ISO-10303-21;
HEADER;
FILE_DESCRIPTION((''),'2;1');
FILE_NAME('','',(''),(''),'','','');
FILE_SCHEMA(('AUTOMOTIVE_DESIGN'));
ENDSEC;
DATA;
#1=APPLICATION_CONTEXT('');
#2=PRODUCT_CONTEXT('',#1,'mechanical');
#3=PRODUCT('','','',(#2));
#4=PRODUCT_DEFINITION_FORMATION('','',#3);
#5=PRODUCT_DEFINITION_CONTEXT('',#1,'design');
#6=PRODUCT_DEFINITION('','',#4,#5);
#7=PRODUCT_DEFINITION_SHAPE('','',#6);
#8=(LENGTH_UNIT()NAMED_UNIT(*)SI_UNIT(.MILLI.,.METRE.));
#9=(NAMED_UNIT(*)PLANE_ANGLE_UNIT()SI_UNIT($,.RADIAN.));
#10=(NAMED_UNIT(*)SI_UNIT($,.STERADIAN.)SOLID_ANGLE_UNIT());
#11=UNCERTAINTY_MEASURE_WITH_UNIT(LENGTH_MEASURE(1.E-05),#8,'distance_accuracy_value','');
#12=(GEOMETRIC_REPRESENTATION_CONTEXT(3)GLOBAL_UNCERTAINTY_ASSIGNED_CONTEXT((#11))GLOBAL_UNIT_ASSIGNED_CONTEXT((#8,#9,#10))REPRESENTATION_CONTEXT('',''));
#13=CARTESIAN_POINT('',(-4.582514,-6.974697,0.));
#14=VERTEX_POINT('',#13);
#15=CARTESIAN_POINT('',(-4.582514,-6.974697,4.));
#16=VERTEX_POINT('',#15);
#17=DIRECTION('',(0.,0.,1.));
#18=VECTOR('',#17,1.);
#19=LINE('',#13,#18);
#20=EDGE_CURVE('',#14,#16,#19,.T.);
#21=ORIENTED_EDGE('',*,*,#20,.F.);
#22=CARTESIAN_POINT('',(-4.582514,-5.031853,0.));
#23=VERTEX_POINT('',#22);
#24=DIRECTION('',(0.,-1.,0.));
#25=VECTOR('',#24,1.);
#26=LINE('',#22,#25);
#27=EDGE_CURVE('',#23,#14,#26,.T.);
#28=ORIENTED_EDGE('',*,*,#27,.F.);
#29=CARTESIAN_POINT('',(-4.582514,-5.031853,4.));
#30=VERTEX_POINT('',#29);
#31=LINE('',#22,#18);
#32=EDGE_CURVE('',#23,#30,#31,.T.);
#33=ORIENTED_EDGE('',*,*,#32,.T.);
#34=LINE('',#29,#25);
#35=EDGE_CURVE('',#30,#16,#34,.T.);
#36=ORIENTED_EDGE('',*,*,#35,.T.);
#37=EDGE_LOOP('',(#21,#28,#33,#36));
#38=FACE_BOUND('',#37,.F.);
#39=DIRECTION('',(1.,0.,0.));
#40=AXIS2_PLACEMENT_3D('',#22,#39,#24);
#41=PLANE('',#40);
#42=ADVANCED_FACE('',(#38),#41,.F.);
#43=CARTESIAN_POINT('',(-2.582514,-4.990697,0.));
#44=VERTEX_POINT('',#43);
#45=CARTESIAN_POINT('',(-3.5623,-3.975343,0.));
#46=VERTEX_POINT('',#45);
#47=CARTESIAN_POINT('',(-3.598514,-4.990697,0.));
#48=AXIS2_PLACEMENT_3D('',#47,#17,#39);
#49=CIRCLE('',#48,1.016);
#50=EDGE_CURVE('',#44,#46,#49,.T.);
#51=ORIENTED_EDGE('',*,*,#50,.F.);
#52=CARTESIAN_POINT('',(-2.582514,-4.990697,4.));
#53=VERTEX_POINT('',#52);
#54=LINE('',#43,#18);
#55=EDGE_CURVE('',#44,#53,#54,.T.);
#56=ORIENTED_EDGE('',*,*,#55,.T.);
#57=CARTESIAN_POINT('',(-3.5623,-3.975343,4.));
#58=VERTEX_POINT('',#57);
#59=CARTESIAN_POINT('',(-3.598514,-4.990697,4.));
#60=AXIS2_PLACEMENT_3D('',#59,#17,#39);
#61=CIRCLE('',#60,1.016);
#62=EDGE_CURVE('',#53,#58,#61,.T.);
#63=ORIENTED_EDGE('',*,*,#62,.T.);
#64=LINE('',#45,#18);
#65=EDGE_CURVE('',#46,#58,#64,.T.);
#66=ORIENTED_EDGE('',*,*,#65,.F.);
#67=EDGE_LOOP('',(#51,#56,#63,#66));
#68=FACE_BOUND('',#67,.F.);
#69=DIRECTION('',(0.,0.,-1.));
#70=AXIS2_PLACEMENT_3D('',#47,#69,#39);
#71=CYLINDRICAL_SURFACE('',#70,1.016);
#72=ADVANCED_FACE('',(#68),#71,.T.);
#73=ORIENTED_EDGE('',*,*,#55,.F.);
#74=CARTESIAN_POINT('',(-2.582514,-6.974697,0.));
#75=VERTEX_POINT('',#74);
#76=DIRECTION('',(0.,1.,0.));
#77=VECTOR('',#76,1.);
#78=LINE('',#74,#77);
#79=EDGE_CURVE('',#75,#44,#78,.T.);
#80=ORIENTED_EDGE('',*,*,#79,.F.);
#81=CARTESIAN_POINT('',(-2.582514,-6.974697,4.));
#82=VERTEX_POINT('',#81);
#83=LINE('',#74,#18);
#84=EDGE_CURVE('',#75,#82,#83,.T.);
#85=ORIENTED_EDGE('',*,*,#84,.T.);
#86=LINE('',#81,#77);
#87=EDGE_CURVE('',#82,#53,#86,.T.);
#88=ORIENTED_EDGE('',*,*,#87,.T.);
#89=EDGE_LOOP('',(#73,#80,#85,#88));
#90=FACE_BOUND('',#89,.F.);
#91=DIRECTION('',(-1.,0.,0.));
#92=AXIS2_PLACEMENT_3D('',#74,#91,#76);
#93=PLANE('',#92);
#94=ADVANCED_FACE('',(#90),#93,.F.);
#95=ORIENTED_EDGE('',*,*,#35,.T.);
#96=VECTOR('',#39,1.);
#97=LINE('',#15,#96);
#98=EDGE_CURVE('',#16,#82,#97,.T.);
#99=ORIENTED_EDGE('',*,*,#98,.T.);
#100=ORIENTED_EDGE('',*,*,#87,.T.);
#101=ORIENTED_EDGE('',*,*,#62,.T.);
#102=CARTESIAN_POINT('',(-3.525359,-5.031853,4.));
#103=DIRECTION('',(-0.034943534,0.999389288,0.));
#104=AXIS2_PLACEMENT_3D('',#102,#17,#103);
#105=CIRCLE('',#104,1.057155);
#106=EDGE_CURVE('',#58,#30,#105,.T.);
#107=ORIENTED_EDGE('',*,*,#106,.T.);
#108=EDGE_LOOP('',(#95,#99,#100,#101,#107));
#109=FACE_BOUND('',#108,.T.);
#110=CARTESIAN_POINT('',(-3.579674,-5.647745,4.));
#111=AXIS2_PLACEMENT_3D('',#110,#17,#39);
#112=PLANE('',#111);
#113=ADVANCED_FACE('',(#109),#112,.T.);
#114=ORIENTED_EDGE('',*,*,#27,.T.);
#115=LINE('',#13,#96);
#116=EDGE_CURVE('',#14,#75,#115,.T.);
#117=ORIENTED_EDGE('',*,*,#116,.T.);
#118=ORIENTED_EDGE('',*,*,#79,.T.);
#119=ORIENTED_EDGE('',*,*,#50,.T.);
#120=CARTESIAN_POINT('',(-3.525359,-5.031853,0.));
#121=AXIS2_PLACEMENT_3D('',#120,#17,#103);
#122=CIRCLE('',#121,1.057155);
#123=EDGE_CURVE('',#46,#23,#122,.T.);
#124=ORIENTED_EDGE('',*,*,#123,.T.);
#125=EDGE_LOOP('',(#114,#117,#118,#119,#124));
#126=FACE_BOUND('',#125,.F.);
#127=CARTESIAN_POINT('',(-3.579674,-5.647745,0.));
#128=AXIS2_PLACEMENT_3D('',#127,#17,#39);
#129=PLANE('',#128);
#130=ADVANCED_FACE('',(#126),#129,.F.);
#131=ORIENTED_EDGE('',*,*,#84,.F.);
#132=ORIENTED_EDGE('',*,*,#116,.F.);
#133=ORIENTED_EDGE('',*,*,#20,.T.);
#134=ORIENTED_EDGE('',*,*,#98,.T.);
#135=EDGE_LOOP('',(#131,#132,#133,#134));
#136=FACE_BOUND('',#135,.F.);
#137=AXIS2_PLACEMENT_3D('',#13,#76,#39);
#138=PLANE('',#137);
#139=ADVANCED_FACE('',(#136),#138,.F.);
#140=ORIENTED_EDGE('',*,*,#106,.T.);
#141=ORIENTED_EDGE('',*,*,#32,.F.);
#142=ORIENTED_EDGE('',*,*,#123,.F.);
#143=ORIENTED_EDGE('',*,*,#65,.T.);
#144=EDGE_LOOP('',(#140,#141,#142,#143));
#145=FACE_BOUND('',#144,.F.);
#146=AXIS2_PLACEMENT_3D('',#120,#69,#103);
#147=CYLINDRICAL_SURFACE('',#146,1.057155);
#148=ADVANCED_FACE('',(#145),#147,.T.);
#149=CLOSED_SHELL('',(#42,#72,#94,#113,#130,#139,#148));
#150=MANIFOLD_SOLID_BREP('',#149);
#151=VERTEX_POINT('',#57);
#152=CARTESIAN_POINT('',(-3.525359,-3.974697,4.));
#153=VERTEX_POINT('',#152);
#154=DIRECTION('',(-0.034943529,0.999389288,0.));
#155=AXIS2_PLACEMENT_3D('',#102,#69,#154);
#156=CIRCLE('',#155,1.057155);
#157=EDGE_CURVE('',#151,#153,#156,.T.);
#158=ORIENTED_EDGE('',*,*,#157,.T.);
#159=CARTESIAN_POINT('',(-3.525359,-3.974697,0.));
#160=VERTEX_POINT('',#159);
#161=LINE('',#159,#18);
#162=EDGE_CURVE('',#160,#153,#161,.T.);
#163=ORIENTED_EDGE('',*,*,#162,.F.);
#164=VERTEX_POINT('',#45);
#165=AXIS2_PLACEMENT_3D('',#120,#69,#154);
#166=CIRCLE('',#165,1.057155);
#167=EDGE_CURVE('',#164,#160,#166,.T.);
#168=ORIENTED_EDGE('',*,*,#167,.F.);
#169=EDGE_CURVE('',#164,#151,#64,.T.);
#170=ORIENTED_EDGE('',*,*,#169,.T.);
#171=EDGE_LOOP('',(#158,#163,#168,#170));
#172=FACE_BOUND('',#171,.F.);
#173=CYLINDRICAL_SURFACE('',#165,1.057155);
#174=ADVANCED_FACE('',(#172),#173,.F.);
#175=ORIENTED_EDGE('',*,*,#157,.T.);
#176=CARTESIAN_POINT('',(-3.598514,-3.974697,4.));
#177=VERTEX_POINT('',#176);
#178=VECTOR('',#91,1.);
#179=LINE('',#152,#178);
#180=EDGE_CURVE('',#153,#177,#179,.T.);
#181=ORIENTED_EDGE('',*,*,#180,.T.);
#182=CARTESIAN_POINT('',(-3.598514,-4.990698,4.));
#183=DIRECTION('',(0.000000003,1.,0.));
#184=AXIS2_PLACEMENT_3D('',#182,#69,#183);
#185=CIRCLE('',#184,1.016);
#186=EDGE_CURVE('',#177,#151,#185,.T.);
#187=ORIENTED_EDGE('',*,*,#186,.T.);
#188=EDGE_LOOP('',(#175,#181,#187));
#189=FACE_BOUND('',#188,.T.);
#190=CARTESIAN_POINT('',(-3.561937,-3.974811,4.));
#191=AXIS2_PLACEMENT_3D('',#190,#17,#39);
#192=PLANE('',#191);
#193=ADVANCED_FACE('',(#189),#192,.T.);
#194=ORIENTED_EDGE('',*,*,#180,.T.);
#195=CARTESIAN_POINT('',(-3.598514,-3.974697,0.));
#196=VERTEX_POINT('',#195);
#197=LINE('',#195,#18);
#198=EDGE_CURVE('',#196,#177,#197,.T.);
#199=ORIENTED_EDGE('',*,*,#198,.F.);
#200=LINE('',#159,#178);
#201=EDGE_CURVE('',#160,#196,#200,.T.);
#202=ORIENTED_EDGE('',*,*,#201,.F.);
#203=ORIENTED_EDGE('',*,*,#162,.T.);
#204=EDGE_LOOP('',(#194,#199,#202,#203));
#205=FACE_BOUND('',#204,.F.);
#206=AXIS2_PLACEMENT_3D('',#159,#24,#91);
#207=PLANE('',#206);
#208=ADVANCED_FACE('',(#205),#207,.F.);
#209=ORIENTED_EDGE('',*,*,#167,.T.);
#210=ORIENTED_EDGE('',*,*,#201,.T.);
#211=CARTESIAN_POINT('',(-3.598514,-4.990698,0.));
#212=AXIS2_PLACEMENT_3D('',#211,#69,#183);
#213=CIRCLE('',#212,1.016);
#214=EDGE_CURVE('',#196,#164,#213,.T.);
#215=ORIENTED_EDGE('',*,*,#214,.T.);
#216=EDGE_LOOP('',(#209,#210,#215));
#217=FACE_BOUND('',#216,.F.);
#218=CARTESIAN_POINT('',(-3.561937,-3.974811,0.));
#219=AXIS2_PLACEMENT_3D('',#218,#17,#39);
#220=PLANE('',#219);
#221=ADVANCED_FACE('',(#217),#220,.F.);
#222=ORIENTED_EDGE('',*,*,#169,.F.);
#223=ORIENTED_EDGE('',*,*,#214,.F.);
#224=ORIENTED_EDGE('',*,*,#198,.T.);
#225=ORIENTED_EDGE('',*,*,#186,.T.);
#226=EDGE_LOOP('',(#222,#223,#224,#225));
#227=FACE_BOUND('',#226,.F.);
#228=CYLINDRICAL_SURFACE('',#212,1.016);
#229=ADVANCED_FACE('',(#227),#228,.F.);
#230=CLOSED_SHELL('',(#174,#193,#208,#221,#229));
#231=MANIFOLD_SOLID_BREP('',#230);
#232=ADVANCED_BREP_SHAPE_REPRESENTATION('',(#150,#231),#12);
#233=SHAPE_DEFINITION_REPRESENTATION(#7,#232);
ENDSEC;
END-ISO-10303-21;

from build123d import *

# Parameters (mm, degrees)
F1_DEPTH = 4


with BuildPart() as f1:
    # F0 (on Top) → F1 (new body)
    with BuildSketch(Plane.XY):
        with BuildLine():
            Line((-4.5825140551, -5.0318525356), (-4.5825140551, -6.9746974812))
            Line((-4.5825140551, -6.9746974812), (-2.5825140551, -6.9746974812))
            Line((-2.5825140551, -6.9746974812), (-2.5825140551, -4.9906974812))
            ThreePointArc((-2.5825140551, -4.9906974812), (-2.8674019742, -4.2851968609), (-3.5622997345, -3.9753430982))
            ThreePointArc((-3.5622997345, -3.9753430982), (-4.2858288859, -4.2975076829), (-4.5825140551, -5.0318525356))
        make_face()
    extrude(amount=F1_DEPTH)


with BuildPart() as f1b:
    # F0 (on Top) → F1, piece 2 (new body)
    with BuildSketch(Plane.XY):
        with BuildLine():
            ThreePointArc((-3.5985140551, -3.9746974812), (-3.5804040176, -3.9748588983), (-3.5622997345, -3.9753430982))
            ThreePointArc((-3.5622997345, -3.9753430982), (-3.5438321882, -3.9748588978), (-3.5253590006, -3.9746974812))
            Line((-3.5253590006, -3.9746974812), (-3.5985140551, -3.9746974812))
        make_face()
    extrude(amount=F1_DEPTH)


solid = Compound([f1.part, f1b.part])
